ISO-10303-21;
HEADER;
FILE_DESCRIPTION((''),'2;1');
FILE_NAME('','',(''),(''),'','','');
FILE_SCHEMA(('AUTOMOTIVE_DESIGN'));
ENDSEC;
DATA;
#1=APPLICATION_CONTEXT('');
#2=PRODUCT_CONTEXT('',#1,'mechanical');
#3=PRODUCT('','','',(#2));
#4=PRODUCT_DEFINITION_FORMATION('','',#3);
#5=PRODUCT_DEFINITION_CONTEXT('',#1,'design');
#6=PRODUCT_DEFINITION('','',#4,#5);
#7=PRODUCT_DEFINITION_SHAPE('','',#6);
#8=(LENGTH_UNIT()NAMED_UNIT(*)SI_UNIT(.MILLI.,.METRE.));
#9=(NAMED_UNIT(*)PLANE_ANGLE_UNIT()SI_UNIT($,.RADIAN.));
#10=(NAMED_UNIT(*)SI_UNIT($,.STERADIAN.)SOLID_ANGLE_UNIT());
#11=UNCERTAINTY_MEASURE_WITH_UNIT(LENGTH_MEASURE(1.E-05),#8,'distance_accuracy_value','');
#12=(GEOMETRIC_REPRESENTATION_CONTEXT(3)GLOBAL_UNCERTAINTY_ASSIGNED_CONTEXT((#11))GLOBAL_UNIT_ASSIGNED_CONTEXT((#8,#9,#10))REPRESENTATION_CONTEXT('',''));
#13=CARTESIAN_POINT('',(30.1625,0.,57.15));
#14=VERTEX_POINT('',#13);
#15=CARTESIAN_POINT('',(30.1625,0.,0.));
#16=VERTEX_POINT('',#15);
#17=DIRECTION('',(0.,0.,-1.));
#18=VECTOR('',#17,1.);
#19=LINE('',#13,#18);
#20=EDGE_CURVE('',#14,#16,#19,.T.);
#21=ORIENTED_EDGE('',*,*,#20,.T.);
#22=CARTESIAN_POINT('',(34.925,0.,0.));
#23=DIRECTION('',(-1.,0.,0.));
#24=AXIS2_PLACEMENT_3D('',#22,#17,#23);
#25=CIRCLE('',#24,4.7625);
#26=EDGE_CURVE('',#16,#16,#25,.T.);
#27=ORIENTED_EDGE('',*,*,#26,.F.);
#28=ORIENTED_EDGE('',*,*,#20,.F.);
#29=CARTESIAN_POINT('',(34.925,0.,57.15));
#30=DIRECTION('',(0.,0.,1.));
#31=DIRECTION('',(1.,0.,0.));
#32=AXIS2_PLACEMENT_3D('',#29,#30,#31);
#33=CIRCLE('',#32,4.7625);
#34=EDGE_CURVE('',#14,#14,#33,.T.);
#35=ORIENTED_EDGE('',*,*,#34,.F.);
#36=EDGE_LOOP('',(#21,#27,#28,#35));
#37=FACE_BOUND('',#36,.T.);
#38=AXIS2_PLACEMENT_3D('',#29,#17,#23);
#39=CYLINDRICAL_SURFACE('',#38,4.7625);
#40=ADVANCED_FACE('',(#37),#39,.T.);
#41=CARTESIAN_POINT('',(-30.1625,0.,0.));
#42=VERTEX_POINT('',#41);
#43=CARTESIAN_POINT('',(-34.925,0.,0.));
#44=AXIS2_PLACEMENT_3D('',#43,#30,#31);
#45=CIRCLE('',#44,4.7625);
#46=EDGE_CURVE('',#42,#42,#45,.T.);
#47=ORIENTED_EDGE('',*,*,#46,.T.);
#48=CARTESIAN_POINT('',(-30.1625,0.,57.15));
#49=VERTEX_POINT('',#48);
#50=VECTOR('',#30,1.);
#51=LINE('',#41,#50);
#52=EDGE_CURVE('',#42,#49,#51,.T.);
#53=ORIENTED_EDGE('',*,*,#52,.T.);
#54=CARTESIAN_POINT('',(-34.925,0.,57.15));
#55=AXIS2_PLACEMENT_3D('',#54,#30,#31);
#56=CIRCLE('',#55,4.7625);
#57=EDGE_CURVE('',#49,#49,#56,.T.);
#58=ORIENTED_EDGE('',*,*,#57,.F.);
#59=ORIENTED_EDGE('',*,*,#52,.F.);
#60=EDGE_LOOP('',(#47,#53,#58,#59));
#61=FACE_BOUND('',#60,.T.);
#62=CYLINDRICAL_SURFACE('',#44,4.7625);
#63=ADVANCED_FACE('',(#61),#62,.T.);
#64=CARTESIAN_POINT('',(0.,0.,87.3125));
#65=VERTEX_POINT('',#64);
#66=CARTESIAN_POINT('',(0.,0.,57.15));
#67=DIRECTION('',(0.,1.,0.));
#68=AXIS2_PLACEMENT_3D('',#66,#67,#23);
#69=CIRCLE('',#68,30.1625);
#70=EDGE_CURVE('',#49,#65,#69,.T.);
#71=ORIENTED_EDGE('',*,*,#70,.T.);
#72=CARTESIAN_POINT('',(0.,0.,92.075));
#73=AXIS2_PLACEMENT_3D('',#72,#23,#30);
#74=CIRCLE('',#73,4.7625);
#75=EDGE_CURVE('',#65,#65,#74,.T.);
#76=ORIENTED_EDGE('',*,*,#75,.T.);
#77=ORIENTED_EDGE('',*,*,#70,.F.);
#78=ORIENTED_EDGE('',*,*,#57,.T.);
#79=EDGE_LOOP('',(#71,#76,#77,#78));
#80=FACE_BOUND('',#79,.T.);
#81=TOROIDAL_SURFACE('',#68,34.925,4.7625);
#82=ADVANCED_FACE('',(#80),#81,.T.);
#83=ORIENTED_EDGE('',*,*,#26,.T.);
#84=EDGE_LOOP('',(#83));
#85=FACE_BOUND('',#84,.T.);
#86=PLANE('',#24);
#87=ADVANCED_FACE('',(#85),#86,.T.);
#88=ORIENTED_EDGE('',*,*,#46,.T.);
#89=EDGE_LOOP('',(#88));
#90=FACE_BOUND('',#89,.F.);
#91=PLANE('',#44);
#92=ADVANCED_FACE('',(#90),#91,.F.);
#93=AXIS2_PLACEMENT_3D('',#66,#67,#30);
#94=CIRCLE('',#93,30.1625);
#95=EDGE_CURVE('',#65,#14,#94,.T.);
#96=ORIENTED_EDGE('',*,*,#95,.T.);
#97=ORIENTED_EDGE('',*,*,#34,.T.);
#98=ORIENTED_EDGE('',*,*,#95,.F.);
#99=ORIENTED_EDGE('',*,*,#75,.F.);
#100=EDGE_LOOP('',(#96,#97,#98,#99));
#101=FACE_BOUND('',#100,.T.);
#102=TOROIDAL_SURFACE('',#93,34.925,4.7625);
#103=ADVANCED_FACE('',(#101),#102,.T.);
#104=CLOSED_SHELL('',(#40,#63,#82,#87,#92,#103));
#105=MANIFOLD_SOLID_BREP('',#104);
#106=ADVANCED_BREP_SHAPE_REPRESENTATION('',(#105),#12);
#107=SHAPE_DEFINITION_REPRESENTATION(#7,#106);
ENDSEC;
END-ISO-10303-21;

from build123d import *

# Parameters (mm, degrees)
F1_R = 4.7625


with BuildPart() as f2:
    # F2: sweep along a path in F0
    with BuildLine(Plane.XZ) as f2_path:
        Line((-34.925, 0), (-34.925, 57.15))
        ThreePointArc((-34.925, 57.15), (-24.6957043329, 81.8457043329), (0, 92.075))
        ThreePointArc((0, 92.075), (24.6957043329, 81.8457043329), (34.925, 57.15))
        Line((34.925, 57.15), (34.925, 0))
    # F1 (on Top) → F2 (sweep)
    with BuildSketch(Plane.XY):
        with Locations((-34.925, 0)):
            Circle(F1_R)
    sweep(path=f2_path.line)


solid = f2.part
